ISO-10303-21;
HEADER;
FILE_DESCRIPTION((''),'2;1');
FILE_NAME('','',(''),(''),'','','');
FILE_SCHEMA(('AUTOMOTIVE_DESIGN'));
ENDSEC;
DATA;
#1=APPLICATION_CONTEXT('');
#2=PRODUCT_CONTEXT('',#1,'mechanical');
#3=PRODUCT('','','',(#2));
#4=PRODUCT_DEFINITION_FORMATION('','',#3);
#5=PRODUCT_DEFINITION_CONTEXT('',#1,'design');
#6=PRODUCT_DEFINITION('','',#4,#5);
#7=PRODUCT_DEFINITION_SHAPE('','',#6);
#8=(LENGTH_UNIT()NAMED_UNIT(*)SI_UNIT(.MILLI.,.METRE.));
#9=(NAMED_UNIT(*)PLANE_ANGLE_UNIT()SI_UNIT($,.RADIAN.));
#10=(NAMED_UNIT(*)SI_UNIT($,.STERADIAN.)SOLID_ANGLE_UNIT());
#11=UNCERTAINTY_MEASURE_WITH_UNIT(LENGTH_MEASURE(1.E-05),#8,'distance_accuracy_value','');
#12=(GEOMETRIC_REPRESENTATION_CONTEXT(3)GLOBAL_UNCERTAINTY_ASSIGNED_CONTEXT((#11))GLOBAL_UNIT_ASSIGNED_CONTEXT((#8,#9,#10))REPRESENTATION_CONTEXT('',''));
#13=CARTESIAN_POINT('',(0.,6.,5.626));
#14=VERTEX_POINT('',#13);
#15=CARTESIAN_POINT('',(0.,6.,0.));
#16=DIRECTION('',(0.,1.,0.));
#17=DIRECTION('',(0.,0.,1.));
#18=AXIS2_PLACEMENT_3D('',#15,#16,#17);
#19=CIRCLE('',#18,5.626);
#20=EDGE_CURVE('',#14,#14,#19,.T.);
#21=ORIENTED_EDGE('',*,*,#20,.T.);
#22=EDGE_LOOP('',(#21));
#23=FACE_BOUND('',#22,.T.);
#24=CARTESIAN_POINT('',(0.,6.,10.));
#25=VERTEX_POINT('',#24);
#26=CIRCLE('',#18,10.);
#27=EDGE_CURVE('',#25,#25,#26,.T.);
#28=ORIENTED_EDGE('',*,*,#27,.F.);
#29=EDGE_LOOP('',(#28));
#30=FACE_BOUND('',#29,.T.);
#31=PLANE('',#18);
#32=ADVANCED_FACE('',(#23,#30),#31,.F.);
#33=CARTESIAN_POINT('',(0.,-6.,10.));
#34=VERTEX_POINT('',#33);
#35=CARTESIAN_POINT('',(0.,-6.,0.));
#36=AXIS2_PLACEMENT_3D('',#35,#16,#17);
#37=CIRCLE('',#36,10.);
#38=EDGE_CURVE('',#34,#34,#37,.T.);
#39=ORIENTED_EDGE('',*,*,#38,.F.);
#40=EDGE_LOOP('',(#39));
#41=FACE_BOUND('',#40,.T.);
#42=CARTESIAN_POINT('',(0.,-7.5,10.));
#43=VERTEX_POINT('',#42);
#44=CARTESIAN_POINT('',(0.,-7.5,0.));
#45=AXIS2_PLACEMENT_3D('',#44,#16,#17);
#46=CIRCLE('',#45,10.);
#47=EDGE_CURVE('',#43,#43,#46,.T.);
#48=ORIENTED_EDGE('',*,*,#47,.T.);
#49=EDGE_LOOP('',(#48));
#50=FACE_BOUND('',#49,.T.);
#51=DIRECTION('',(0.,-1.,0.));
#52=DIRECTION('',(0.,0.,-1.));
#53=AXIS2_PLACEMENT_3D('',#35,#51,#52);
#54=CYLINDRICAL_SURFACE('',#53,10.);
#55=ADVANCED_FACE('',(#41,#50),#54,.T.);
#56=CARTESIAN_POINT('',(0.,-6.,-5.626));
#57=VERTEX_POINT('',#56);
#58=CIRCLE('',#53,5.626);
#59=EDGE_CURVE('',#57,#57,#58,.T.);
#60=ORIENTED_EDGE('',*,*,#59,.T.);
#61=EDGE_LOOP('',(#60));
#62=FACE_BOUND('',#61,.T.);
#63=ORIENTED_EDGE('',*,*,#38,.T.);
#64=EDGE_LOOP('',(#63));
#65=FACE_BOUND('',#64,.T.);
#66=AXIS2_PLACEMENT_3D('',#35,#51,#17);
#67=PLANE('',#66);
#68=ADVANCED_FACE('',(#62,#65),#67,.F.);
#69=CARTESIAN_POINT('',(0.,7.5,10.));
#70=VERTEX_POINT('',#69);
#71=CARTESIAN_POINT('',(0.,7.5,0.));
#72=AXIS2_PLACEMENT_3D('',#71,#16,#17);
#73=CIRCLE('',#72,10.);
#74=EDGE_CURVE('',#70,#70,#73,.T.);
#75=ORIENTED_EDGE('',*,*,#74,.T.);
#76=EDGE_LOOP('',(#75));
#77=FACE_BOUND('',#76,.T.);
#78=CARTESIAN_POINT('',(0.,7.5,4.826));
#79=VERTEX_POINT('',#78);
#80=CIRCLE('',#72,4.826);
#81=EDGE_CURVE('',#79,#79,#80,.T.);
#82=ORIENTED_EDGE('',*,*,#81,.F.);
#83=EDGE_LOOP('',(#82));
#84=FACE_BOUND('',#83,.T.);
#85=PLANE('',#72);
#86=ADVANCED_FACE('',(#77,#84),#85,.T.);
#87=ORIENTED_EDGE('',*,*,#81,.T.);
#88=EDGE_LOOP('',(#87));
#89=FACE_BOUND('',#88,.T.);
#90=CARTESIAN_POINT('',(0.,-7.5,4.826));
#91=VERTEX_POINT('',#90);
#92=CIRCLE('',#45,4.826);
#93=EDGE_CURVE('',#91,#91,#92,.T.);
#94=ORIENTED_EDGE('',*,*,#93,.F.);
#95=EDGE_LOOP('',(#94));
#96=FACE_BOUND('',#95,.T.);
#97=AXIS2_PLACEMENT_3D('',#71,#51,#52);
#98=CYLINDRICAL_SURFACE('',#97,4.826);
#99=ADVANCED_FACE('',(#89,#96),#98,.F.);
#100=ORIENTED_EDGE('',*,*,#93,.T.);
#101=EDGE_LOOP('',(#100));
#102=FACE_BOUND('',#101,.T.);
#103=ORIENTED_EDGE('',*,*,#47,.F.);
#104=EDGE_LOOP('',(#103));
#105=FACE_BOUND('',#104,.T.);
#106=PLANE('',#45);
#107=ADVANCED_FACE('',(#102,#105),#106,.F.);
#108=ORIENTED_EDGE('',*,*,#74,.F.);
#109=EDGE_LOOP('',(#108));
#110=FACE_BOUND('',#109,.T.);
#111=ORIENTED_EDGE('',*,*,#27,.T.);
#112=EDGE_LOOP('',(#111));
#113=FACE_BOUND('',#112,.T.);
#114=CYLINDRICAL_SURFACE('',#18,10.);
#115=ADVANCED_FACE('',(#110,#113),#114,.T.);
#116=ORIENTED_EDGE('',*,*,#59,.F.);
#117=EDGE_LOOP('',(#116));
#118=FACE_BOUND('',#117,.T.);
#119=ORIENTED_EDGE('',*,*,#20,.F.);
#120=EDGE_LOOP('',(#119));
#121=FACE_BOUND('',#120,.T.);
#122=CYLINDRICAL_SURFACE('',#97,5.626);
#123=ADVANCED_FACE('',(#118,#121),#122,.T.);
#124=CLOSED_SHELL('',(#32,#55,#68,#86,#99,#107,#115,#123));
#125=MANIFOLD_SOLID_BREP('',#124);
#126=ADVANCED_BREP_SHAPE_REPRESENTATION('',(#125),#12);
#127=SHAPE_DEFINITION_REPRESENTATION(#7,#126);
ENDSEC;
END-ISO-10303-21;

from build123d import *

# Parameters (mm, degrees)
SKETCH1_R           = 5.626
SKETCH1_R_2         = 4.826
BOSS_EXTRUDE1_DEPTH = 7.5
SKETCH2_R           = 10
SKETCH2_R_2         = 5.626
BOSS_EXTRUDE2_DEPTH = 1.5


with BuildPart() as part:
    # Sketch1 → Boss-Extrude1 (new body, symmetric)
    with BuildSketch(Plane(origin=(0, 0, 0), x_dir=(1, 0, 0), z_dir=(0, 1, 0))):
        Circle(SKETCH1_R)
        Circle(SKETCH1_R_2, mode=Mode.SUBTRACT)
    extrude(amount=BOSS_EXTRUDE1_DEPTH, both=True)

    # Sketch2 → Boss-Extrude2 (add)
    with BuildSketch(Plane(origin=(0, 7.5, 0), x_dir=(1, 0, 0), z_dir=(0, 1, 0))):
        Circle(SKETCH2_R)
        Circle(SKETCH2_R_2, mode=Mode.SUBTRACT)
    boss_extrude2 = extrude(amount=-BOSS_EXTRUDE2_DEPTH)

    # Mirror1: Boss-Extrude2 across plane
    add(boss_extrude2.mirror(Plane.ZX))


solid = part.part
